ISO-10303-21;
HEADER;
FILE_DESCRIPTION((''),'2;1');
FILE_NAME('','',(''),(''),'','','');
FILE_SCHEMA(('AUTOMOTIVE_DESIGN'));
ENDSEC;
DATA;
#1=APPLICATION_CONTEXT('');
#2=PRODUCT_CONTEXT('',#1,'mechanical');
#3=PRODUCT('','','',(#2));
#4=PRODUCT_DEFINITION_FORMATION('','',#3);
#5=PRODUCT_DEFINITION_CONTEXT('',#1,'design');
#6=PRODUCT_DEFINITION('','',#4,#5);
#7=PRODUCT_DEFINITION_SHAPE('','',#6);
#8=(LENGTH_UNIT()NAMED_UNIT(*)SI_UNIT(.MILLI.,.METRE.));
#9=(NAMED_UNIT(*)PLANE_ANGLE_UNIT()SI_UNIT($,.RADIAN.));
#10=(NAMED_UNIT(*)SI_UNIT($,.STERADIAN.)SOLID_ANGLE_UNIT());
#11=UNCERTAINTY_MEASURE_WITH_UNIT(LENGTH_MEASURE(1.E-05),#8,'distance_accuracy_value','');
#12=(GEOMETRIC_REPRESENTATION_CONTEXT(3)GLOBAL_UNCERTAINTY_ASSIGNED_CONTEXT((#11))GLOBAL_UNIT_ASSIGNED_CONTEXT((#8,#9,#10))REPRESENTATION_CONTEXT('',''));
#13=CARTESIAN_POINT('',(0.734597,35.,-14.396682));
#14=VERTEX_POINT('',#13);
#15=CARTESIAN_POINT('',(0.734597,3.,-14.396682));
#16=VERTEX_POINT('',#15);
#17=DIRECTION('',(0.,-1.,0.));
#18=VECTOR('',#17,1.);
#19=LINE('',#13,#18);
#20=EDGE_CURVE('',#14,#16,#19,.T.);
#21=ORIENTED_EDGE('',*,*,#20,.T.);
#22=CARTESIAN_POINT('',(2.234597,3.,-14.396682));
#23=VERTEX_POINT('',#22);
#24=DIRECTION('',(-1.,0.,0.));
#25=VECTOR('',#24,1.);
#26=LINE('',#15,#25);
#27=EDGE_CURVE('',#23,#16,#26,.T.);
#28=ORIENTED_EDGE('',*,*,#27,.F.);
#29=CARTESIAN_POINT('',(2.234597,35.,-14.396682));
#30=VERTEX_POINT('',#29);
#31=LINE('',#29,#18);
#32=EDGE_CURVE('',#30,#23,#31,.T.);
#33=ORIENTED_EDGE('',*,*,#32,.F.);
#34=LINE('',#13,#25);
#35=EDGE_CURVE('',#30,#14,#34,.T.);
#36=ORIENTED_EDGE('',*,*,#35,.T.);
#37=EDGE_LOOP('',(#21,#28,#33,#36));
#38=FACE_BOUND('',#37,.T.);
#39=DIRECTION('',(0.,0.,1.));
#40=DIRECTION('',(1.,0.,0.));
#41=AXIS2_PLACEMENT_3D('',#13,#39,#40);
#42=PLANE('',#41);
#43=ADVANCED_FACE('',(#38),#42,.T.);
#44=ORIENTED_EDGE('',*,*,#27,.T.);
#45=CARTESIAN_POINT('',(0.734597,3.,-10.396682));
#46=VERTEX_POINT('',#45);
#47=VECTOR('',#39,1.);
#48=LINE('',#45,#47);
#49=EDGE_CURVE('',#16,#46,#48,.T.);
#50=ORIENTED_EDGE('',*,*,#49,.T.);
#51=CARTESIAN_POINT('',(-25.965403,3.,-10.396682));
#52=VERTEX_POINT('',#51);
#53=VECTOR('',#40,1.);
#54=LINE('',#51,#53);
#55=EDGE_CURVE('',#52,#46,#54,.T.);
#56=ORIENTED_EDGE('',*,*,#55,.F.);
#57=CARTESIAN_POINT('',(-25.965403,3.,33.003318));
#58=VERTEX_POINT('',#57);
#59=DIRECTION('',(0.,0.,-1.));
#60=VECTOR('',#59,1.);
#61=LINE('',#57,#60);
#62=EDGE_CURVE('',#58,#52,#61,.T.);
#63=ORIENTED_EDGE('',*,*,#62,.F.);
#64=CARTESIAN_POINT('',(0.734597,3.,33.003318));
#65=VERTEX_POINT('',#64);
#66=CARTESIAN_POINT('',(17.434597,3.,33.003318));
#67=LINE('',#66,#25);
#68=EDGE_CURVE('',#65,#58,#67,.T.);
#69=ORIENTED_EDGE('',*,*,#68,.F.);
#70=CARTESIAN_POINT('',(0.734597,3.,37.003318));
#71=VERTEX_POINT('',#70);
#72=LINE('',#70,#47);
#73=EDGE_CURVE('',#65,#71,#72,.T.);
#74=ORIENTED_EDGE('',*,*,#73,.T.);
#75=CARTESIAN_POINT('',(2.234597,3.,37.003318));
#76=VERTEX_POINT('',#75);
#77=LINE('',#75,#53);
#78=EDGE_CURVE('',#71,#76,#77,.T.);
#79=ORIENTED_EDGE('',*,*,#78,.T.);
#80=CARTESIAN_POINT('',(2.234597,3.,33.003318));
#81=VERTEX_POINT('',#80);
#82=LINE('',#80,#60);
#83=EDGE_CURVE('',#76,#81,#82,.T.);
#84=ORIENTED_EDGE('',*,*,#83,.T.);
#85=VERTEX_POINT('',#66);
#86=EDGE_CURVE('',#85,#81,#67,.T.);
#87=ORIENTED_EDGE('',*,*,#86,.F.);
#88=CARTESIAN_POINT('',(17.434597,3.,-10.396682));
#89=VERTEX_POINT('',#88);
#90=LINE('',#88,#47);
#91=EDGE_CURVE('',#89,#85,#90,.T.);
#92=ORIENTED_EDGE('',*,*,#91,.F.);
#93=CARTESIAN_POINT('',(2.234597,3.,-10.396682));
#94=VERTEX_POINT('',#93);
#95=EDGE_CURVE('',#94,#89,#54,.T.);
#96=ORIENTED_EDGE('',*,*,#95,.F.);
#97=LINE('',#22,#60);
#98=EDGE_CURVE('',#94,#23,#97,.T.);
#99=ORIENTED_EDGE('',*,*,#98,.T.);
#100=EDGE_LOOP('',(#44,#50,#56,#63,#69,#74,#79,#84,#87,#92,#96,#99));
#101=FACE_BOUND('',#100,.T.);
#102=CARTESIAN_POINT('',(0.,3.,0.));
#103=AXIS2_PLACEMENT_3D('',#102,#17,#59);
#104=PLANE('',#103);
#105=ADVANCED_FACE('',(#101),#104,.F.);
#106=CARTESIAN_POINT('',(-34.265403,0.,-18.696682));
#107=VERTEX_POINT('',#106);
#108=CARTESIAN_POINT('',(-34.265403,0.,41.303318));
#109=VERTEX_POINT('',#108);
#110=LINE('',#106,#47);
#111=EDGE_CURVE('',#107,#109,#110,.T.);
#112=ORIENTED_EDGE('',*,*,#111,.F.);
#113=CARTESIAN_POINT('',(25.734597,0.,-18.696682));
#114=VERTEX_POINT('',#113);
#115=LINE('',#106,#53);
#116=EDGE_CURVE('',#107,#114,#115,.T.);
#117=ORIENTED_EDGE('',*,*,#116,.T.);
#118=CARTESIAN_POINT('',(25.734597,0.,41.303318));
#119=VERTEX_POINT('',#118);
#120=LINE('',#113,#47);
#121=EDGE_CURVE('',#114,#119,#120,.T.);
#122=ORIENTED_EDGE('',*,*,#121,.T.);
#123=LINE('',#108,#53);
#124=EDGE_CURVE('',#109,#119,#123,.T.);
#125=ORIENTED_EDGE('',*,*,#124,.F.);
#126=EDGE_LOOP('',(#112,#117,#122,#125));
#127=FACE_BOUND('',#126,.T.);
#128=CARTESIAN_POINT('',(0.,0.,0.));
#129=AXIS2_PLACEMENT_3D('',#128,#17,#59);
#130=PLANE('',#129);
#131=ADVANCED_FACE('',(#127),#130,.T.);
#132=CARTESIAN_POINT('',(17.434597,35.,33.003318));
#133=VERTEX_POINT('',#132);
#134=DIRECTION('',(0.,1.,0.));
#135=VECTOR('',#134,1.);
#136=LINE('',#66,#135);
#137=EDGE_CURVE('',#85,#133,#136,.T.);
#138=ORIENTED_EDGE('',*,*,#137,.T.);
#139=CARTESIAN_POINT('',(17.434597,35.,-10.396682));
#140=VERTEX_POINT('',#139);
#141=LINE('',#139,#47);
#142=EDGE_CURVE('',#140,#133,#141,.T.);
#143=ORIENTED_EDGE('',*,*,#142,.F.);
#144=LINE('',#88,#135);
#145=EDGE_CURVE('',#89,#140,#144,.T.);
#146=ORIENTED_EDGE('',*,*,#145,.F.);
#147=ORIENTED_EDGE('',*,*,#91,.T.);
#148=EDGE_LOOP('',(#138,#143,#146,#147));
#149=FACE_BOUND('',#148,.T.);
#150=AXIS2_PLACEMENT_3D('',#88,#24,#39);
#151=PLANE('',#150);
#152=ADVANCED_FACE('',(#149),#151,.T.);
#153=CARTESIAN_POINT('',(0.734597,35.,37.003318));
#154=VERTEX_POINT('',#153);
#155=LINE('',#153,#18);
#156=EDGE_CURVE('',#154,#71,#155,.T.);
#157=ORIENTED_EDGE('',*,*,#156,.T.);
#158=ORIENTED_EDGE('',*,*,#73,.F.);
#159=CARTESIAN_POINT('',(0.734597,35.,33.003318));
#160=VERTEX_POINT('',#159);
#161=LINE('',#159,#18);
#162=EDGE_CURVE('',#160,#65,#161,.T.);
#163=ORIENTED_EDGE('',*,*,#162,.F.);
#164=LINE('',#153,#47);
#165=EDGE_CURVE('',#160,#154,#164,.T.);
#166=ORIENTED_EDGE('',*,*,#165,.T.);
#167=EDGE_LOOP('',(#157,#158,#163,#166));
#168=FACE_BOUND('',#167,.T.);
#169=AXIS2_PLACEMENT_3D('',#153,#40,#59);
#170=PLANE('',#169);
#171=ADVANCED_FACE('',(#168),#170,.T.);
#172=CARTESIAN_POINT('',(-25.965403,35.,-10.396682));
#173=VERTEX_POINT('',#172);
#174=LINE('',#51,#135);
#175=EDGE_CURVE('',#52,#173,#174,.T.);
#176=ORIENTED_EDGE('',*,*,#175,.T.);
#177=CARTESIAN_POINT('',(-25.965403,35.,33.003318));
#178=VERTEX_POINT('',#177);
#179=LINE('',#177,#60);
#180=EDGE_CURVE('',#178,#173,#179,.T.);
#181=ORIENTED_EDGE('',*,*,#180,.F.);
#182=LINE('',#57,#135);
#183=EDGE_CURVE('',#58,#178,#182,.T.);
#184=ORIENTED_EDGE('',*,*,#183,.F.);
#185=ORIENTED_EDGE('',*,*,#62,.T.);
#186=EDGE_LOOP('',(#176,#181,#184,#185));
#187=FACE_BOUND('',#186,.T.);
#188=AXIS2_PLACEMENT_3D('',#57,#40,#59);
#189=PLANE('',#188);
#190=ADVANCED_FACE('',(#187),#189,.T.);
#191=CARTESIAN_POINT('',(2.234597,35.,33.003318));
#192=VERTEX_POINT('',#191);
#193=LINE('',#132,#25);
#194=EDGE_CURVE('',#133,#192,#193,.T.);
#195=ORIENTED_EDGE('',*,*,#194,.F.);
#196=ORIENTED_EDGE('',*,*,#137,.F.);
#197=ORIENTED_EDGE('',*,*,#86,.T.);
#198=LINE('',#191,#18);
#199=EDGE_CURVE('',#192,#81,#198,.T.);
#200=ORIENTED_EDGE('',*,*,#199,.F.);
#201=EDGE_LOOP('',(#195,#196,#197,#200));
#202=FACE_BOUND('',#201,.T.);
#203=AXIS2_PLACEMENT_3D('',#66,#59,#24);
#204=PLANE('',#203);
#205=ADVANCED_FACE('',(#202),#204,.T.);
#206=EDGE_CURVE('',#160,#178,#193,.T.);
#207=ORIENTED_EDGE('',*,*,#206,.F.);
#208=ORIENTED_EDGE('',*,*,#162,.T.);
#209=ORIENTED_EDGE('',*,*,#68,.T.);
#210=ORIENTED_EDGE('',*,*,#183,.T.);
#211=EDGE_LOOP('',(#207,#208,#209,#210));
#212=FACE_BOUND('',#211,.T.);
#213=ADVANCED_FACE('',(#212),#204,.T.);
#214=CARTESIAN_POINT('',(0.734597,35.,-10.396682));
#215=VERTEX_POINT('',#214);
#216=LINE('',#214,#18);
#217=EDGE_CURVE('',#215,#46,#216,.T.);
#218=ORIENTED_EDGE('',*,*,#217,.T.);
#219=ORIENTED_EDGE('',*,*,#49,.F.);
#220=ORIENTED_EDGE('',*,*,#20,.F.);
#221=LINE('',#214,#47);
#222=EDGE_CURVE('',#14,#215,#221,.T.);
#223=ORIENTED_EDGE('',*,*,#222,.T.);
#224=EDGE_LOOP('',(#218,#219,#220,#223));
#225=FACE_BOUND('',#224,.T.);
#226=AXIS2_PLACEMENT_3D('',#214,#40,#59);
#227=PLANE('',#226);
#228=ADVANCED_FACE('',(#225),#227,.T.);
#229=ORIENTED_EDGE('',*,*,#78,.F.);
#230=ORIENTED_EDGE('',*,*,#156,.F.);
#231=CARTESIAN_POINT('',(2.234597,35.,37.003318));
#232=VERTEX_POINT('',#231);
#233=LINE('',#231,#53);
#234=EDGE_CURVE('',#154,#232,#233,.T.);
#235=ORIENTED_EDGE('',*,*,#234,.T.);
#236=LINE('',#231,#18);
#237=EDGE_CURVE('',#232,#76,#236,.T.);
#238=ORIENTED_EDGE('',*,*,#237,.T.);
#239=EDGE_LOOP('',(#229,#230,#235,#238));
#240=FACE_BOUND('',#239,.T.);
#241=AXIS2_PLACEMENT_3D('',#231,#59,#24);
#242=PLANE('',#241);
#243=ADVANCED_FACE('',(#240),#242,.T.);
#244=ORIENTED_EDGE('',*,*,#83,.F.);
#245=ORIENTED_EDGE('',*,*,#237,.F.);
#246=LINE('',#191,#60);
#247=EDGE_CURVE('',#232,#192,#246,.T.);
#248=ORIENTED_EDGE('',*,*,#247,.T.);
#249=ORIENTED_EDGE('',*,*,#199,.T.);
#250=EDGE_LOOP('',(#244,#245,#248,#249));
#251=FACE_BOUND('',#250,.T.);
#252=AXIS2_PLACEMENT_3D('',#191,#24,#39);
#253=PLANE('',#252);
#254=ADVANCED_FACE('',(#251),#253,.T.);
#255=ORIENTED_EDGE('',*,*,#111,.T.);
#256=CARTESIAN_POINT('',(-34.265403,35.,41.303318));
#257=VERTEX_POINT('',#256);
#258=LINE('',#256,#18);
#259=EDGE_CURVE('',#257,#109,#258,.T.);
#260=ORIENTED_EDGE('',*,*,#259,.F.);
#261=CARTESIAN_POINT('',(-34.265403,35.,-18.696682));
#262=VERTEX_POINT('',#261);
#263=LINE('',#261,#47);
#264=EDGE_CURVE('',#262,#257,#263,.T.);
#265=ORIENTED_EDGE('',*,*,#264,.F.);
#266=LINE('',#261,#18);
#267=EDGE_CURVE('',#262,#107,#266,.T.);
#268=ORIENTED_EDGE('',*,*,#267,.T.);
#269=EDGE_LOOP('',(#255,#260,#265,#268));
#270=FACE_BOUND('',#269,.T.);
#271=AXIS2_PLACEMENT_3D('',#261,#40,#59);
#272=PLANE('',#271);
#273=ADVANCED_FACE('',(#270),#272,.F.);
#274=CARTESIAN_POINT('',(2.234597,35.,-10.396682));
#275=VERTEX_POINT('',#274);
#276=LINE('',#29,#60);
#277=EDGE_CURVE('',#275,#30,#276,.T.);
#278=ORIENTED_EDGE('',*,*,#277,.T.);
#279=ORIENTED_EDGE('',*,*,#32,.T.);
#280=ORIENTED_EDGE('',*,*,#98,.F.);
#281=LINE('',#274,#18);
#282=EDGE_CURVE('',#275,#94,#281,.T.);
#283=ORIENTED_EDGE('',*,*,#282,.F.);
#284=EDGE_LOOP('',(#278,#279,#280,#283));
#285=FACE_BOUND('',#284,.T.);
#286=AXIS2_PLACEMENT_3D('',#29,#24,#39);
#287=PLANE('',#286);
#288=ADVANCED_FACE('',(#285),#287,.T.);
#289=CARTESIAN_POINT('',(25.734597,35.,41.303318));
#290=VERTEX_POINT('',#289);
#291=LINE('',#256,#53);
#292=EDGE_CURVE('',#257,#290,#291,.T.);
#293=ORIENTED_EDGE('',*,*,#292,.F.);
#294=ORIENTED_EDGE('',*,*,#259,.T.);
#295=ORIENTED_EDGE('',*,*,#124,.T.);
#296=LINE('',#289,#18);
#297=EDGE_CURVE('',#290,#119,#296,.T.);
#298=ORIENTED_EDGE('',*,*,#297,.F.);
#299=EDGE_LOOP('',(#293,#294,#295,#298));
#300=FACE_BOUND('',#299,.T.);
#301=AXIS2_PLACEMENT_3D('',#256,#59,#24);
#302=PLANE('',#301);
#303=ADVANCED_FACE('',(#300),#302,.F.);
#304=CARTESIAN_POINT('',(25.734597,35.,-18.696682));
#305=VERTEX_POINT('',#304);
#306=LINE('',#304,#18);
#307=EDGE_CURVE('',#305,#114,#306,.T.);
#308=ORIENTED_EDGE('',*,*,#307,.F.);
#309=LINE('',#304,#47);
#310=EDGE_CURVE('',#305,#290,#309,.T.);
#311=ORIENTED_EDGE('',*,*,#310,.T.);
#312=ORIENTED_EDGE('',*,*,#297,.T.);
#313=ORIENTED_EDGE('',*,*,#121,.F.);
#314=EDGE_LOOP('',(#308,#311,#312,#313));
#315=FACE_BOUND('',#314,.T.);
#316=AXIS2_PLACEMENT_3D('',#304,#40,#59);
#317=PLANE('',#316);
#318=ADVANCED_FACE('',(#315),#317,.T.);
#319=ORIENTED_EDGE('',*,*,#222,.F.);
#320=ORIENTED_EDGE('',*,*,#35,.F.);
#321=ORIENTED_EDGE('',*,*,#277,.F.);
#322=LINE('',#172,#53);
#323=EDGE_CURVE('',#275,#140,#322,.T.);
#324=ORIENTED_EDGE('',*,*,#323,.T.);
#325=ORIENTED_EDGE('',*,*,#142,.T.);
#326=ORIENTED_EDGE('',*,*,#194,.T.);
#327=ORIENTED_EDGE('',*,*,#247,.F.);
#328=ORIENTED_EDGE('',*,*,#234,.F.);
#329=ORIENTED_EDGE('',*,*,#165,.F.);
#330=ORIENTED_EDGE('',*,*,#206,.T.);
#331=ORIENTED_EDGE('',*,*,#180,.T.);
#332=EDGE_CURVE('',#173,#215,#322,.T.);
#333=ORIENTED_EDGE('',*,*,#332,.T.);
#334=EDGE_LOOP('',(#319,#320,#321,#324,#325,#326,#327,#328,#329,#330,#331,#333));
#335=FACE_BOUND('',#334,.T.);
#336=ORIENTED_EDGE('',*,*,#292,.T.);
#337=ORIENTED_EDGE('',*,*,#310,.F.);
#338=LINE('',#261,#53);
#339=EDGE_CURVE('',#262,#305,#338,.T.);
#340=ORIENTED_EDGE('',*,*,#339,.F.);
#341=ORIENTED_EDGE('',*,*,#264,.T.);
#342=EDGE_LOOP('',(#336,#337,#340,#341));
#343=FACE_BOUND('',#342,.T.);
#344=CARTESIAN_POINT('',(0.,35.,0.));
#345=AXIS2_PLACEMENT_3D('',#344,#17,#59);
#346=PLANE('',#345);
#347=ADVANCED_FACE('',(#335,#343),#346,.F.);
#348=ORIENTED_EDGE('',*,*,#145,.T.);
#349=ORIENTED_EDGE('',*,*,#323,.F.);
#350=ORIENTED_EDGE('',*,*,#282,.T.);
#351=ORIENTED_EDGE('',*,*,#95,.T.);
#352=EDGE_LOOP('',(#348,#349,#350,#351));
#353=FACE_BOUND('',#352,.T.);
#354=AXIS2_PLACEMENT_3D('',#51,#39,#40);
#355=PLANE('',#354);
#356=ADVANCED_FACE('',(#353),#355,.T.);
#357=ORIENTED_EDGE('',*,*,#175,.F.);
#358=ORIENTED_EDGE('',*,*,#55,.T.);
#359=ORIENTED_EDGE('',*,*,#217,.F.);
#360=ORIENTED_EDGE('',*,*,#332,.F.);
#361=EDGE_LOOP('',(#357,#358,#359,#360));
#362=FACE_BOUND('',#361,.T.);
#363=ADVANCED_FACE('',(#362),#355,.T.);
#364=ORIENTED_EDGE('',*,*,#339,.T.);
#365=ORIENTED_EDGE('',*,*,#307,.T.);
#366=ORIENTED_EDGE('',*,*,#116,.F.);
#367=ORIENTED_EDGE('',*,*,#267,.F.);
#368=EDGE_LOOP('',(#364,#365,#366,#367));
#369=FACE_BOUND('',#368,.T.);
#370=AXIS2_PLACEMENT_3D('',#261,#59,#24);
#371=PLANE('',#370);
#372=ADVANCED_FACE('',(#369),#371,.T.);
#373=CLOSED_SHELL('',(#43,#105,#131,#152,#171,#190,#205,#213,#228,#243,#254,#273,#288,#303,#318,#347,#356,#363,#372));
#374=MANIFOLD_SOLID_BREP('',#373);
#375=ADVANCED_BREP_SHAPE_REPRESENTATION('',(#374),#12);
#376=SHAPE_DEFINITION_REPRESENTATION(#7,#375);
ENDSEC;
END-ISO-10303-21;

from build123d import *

# Parameters (mm, degrees)
SKETCH1_W           = 60
SKETCH1_H           = 60
BOSS_EXTRUDE1_DEPTH = 35
SKETCH2_W           = 43.4
SKETCH2_H           = 43.4
CUT_EXTRUDE1_DEPTH  = 32
SKETCH3_W           = 1.5
SKETCH3_H           = 4
CUT_EXTRUDE4_DEPTH  = 32
SKETCH7_W           = 3.5
SKETCH7_H           = 3.5
CUT_EXTRUDE7_DEPTH  = 76
BOSS_EXTRUDE4_DEPTH = 8.3
BOSS_EXTRUDE6_DEPTH = 8.3


with BuildPart() as part:
    # Sketch1 → Boss-Extrude1 (new body)
    with BuildSketch(Plane(origin=(0, 0, 0), x_dir=(1, 0, 0), z_dir=(0, 1, 0))):
        with Locations((-4.265402844, -11.303317536)):
            Rectangle(SKETCH1_W, SKETCH1_H)
    extrude(amount=BOSS_EXTRUDE1_DEPTH)

    # Sketch2 → Cut-Extrude1 (cut)
    with BuildSketch(Plane(origin=(0, 35, 0), x_dir=(1, 0, 0), z_dir=(0, 1, 0))):
        with Locations((-4.265402844, -11.303317536)):
            Rectangle(SKETCH2_W, SKETCH2_H)
    extrude(amount=-CUT_EXTRUDE1_DEPTH, mode=Mode.SUBTRACT)

    # Sketch3 → Cut-Extrude4 (cut)
    with BuildSketch(Plane(origin=(0, 3, 0), x_dir=(1, 0, 0), z_dir=(0, 1, 0))):
        with Locations((1.484597156, 12.396682464)):
            Rectangle(SKETCH3_W, SKETCH3_H)
        with Locations((1.484597156, -35.003317536)):
            Rectangle(SKETCH3_W, SKETCH3_H)
    extrude(amount=CUT_EXTRUDE4_DEPTH, mode=Mode.SUBTRACT)

    # Sketch7 → Cut-Extrude7 (cut)
    with BuildSketch(Plane.ZY.offset(34.265402844)):
        with Locations((-5.246682464, 30.75)):
            Rectangle(SKETCH7_W, SKETCH7_H)
    extrude(amount=-CUT_EXTRUDE7_DEPTH, mode=Mode.SUBTRACT)

    # Sketch9 → Boss-Extrude4 (add)
    with BuildSketch(Plane.ZY.offset(34.265402844)):
        Polygon((-6.996682464, 33.397625526), (-8.197769776, 33.397625526), (-8.197769776, 28.249822975), (-2.626030544, 28.249822975), (-2.626030544, 33.397625526), align=None)
    extrude(amount=-BOSS_EXTRUDE4_DEPTH)

    # Sketch10 → Boss-Extrude6 (add)
    with BuildSketch(Plane(origin=(25.734597156, 0, 0), x_dir=(0, 0, -1), z_dir=(1, 0, 0))):
        Polygon((3.496682464, 33.424191305), (7.449063177, 33.424191305), (7.449063177, 29.024449581), (7.449063177, 28.243284465), (2.654166816, 28.243284465), (2.654166816, 33.424191305), align=None)
    extrude(amount=-BOSS_EXTRUDE6_DEPTH)


solid = part.part
